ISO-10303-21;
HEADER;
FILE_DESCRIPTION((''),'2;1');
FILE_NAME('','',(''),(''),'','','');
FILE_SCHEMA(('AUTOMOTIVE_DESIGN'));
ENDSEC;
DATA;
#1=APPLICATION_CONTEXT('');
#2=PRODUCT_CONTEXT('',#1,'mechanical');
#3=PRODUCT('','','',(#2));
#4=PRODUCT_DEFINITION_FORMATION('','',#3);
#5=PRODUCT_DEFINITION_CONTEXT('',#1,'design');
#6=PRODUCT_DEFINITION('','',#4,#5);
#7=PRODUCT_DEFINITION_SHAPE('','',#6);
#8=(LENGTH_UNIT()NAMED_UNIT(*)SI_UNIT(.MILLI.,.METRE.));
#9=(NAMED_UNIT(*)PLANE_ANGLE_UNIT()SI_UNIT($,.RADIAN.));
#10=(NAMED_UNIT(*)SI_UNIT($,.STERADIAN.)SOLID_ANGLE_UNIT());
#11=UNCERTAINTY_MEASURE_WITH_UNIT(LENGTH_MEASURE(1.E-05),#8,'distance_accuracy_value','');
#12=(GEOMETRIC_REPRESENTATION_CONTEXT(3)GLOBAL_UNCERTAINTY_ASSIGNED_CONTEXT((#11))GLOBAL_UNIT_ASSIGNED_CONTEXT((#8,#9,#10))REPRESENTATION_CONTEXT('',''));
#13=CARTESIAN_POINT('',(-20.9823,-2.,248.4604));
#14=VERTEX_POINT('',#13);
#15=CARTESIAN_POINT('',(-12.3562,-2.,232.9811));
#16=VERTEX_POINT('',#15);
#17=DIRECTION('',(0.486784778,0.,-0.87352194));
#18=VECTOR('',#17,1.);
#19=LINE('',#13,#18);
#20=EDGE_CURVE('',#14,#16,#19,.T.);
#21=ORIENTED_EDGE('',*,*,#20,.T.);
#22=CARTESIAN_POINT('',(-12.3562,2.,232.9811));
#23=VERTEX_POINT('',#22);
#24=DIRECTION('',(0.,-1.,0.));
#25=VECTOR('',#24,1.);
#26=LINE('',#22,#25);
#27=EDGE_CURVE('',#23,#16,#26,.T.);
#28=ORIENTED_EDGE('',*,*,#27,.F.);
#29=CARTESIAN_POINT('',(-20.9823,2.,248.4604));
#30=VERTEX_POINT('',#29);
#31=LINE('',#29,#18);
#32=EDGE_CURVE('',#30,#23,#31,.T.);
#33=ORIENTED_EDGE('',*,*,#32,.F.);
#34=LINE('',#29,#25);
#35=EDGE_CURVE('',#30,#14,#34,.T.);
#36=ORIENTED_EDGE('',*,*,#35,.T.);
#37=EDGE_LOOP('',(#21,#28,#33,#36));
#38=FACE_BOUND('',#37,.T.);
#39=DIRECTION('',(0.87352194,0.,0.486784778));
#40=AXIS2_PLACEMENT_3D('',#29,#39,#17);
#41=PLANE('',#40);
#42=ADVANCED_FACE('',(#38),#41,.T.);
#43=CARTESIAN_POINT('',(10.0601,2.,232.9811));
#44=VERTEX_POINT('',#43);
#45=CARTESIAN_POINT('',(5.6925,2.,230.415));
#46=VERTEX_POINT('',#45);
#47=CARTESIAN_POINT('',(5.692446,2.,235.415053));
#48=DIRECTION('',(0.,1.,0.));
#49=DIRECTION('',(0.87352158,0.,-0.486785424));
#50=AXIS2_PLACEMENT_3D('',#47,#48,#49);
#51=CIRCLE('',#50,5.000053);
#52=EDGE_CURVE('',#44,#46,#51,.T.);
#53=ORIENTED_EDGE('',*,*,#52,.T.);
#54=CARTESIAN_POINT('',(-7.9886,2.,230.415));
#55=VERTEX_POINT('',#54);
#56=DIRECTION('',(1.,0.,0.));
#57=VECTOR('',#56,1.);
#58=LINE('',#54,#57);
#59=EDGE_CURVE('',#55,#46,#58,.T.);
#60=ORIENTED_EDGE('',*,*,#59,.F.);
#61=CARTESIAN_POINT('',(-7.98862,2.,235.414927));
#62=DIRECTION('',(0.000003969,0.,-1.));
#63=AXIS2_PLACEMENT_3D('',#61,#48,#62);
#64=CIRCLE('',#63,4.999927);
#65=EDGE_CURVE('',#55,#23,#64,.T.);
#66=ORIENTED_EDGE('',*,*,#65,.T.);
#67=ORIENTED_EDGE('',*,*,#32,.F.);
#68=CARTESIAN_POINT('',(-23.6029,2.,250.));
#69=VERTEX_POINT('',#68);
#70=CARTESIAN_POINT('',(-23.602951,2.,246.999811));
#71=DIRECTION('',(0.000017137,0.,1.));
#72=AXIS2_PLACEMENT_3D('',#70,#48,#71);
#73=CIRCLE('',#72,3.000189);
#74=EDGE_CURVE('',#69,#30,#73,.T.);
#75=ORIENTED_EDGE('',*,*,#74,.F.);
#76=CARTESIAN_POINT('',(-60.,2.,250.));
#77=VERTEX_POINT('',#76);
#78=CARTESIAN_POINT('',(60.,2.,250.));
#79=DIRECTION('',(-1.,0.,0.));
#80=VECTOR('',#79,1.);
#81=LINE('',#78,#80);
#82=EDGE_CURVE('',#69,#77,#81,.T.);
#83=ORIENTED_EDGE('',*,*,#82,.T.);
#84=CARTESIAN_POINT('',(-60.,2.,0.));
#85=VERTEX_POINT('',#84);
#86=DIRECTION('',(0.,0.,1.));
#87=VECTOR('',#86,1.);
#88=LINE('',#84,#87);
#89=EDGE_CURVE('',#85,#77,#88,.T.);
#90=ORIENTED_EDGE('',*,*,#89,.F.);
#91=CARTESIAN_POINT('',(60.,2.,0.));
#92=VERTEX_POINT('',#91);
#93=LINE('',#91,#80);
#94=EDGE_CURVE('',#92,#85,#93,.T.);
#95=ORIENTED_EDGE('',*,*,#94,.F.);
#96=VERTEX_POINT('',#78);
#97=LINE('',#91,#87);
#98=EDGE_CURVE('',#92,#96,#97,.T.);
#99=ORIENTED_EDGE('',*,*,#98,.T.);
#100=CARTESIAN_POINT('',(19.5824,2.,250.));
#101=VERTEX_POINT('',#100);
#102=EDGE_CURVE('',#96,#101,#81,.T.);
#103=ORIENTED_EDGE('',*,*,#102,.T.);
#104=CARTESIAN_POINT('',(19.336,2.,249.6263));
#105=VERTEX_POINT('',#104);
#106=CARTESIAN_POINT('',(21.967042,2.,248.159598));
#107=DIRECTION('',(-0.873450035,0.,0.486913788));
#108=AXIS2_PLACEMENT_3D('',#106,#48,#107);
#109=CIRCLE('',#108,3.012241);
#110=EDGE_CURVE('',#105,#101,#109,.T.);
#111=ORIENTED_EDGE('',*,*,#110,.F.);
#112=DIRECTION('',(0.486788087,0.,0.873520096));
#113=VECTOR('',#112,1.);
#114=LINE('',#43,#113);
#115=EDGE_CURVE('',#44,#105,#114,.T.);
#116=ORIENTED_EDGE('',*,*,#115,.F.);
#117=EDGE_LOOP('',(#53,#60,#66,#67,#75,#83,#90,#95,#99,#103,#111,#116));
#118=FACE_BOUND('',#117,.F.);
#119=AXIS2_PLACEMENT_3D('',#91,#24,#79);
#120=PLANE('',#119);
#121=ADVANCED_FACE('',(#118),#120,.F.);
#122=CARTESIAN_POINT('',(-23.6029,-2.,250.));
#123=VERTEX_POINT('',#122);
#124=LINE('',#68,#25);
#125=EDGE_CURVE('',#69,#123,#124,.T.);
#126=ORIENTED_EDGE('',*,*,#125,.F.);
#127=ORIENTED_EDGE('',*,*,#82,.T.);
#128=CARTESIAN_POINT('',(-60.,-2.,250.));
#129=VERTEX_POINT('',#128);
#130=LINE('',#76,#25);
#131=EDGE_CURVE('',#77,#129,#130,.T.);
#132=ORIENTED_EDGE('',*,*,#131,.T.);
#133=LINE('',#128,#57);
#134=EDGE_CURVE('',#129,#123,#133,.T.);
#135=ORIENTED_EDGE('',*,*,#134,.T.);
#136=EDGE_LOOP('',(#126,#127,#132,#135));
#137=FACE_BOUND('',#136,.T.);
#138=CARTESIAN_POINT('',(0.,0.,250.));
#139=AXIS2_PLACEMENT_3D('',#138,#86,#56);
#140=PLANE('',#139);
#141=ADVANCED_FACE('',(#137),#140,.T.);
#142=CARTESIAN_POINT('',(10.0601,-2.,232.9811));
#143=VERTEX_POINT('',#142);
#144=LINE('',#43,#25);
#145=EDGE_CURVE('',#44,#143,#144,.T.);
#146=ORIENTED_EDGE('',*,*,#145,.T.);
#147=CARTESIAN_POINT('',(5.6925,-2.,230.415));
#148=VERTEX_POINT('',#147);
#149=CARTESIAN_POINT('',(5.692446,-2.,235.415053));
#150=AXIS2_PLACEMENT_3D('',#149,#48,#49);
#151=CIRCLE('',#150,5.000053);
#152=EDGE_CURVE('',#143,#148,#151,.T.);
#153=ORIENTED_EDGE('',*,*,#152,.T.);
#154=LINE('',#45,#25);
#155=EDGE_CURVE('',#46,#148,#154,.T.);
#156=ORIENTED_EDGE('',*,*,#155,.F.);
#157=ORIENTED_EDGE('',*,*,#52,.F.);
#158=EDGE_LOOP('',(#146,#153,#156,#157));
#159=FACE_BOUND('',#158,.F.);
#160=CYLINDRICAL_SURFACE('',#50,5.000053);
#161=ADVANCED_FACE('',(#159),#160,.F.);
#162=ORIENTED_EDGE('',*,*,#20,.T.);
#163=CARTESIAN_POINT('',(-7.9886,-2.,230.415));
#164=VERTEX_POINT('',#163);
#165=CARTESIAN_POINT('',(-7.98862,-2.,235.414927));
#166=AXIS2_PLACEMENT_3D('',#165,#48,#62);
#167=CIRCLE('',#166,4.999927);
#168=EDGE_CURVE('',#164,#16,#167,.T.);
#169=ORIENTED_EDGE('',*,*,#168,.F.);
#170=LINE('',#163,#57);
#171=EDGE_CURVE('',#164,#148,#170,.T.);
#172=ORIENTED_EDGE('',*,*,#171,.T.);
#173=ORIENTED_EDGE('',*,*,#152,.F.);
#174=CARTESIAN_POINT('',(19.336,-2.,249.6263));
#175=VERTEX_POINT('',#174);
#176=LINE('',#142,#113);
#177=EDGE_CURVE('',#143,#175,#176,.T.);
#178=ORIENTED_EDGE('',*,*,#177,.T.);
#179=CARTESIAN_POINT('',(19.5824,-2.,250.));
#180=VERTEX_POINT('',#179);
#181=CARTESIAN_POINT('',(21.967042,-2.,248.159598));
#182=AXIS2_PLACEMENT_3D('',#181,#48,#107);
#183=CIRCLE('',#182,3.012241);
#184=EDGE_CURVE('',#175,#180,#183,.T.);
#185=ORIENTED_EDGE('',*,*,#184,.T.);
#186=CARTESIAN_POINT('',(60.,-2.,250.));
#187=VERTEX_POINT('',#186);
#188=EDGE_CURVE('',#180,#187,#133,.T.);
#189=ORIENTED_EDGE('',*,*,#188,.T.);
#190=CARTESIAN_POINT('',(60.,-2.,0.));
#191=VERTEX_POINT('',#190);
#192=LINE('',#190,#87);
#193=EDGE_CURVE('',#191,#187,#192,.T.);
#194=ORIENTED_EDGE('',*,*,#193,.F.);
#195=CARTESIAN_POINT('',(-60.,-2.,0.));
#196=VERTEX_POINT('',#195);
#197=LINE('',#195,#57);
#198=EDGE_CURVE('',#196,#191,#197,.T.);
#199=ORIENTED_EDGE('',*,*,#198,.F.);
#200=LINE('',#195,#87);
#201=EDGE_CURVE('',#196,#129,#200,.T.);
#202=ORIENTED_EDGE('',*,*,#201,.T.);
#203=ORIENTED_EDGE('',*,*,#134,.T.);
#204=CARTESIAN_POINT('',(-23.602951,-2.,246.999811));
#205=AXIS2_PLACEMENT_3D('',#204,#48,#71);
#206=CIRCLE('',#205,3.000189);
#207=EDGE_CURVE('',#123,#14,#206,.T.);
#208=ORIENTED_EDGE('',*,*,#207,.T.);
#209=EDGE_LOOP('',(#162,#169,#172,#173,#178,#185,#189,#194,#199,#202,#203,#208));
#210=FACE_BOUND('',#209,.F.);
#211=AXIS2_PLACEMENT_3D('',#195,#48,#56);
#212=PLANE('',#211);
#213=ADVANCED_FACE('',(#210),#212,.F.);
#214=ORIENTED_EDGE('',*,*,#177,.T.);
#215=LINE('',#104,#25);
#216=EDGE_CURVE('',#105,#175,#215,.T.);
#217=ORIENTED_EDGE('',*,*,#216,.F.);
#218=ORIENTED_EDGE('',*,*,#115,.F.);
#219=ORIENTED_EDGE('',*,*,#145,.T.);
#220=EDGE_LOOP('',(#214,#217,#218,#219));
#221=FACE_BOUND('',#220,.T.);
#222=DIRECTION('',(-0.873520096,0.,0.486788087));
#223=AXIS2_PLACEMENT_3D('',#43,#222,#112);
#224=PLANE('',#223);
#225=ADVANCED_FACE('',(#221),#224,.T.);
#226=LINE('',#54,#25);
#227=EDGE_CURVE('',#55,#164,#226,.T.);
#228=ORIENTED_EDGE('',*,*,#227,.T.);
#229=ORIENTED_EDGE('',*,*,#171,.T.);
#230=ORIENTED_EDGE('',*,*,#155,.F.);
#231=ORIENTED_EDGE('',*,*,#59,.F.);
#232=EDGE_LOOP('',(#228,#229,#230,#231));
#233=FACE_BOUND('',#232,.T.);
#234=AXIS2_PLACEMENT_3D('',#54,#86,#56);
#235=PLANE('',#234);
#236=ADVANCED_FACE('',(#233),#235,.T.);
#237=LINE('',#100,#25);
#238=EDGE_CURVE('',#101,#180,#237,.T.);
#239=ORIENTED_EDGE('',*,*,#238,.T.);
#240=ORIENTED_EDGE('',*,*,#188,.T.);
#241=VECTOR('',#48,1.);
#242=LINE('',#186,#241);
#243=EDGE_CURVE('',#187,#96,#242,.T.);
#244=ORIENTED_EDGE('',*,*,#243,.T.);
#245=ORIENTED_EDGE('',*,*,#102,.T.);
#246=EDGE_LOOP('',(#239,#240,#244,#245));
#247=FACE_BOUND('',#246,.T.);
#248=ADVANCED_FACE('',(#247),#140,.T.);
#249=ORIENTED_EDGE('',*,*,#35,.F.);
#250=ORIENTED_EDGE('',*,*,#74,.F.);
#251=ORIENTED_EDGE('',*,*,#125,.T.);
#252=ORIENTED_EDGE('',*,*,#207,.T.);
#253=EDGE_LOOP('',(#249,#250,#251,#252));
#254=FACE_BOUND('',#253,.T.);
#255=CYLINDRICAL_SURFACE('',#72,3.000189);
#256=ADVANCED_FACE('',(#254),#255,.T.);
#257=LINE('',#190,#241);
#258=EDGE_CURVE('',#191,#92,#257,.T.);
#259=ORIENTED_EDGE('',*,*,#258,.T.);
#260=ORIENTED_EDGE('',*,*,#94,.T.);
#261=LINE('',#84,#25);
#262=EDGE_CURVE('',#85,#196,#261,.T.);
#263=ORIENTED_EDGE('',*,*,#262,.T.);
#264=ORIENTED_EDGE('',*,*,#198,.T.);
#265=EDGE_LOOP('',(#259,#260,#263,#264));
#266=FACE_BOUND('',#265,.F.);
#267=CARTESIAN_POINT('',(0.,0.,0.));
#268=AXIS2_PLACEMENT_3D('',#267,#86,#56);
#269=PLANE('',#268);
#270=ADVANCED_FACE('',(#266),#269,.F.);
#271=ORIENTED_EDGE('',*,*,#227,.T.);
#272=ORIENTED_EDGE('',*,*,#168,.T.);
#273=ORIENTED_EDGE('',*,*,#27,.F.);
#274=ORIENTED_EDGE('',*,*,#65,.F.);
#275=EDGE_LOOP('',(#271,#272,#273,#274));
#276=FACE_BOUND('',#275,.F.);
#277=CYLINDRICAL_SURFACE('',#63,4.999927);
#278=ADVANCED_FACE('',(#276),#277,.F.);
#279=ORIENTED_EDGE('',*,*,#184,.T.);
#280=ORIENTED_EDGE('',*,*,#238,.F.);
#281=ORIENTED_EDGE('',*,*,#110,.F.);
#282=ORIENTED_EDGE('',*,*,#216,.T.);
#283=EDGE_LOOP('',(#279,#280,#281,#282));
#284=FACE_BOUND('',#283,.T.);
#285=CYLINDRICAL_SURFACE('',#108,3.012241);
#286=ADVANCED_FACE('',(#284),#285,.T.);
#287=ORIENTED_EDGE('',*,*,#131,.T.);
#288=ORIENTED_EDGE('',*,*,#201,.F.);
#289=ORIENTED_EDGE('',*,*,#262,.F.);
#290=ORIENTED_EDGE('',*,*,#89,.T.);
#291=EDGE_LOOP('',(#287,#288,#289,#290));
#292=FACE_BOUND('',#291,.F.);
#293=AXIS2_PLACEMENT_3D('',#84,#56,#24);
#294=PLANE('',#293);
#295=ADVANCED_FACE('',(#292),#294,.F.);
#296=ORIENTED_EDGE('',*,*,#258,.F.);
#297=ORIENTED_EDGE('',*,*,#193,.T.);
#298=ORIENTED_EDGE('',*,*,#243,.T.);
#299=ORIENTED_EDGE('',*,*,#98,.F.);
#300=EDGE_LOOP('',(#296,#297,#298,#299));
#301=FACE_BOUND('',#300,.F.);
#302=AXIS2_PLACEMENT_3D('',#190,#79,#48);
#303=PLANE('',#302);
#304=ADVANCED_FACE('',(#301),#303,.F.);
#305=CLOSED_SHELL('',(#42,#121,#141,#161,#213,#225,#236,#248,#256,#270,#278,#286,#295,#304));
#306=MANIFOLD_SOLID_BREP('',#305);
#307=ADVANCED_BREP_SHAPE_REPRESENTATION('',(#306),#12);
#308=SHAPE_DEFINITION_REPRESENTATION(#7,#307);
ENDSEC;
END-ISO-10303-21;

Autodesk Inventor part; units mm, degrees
ref_plane "YZ Plane" through (0, 0, 0) normal (1, 0, 0) x (0, 1, 0)
ref_plane "XZ Plane" through (0, 0, 0) normal (0, 1, 0) x (-1, 0, 0)
ref_plane "XY Plane" through (0, 0, 0) normal (0, 0, 1) x (1, 0, 0)
sketch "Эскиз1" plane through (0, 0, 0) normal (0, 0, 1) x (1, 0, 0)
  line L0 (60, 2) -> (-60, 2)
  line L1 (-60, 2) -> (-60, -2)
  line L2 (-60, -2) -> (60, -2)
  line L3 (60, -2) -> (60, 2)
  line L4 (60, 2) -> (-60, -2) construction
  line L5 (-60, 2) -> (60, -2) construction
  point P0 (0, 0)
  dimension "d0" = 120
  dimension "d1" = 4
extrude "Выдавливание1" add sketch "Эскиз1" along normal blind 250
sketch "Эскиз2" plane through (-60, 2, 0) normal (0, 1, 0) x (1, 0, 0)
  line L0 (39.0177, -248.4604) -> (47.6438, -232.9811)
  line L1 (52.0114, -230.415) -> (65.6925, -230.415)
  line L2 (70.0601, -232.9811) -> (79.336, -249.6263)
  arc A0 (79.336, -249.6263) -> (79.5824, -250) centre (81.9565, -248.166) ccw
  arc A1 (36.3971, -250) -> (39.0177, -248.4604) centre (36.3971, -247) ccw
  arc A2 (70.0601, -232.9811) -> (65.6925, -230.415) centre (65.6925, -235.415) ccw
  arc A3 (52.0114, -230.415) -> (47.6438, -232.9811) centre (52.0114, -235.415) ccw
  line L3 (79.5824, -250) -> (36.3971, -250)
  line L4 (0, -250) -> (120, -250) projected
  line L5 (120, -250) -> (0, -250) projected
  point P0 (60, 0)
  point P1 (58.852, -247.058)
  point P2 (39.5541, -247.4978)
  point P3 (49.0738, -230.415)
  point P4 (68.6301, -230.415)
  point P5 (78.1498, -247.4978)
  point P6 (60, -250)
  point P7 (60, -250)
  dimension "d9" = 3
  dimension "d10" = 5
  dimension "d11" = 19.585
extrude "Выдавливание2" cut sketch "Эскиз2" against normal blind 4
properties part number "поперечная грань тела"
